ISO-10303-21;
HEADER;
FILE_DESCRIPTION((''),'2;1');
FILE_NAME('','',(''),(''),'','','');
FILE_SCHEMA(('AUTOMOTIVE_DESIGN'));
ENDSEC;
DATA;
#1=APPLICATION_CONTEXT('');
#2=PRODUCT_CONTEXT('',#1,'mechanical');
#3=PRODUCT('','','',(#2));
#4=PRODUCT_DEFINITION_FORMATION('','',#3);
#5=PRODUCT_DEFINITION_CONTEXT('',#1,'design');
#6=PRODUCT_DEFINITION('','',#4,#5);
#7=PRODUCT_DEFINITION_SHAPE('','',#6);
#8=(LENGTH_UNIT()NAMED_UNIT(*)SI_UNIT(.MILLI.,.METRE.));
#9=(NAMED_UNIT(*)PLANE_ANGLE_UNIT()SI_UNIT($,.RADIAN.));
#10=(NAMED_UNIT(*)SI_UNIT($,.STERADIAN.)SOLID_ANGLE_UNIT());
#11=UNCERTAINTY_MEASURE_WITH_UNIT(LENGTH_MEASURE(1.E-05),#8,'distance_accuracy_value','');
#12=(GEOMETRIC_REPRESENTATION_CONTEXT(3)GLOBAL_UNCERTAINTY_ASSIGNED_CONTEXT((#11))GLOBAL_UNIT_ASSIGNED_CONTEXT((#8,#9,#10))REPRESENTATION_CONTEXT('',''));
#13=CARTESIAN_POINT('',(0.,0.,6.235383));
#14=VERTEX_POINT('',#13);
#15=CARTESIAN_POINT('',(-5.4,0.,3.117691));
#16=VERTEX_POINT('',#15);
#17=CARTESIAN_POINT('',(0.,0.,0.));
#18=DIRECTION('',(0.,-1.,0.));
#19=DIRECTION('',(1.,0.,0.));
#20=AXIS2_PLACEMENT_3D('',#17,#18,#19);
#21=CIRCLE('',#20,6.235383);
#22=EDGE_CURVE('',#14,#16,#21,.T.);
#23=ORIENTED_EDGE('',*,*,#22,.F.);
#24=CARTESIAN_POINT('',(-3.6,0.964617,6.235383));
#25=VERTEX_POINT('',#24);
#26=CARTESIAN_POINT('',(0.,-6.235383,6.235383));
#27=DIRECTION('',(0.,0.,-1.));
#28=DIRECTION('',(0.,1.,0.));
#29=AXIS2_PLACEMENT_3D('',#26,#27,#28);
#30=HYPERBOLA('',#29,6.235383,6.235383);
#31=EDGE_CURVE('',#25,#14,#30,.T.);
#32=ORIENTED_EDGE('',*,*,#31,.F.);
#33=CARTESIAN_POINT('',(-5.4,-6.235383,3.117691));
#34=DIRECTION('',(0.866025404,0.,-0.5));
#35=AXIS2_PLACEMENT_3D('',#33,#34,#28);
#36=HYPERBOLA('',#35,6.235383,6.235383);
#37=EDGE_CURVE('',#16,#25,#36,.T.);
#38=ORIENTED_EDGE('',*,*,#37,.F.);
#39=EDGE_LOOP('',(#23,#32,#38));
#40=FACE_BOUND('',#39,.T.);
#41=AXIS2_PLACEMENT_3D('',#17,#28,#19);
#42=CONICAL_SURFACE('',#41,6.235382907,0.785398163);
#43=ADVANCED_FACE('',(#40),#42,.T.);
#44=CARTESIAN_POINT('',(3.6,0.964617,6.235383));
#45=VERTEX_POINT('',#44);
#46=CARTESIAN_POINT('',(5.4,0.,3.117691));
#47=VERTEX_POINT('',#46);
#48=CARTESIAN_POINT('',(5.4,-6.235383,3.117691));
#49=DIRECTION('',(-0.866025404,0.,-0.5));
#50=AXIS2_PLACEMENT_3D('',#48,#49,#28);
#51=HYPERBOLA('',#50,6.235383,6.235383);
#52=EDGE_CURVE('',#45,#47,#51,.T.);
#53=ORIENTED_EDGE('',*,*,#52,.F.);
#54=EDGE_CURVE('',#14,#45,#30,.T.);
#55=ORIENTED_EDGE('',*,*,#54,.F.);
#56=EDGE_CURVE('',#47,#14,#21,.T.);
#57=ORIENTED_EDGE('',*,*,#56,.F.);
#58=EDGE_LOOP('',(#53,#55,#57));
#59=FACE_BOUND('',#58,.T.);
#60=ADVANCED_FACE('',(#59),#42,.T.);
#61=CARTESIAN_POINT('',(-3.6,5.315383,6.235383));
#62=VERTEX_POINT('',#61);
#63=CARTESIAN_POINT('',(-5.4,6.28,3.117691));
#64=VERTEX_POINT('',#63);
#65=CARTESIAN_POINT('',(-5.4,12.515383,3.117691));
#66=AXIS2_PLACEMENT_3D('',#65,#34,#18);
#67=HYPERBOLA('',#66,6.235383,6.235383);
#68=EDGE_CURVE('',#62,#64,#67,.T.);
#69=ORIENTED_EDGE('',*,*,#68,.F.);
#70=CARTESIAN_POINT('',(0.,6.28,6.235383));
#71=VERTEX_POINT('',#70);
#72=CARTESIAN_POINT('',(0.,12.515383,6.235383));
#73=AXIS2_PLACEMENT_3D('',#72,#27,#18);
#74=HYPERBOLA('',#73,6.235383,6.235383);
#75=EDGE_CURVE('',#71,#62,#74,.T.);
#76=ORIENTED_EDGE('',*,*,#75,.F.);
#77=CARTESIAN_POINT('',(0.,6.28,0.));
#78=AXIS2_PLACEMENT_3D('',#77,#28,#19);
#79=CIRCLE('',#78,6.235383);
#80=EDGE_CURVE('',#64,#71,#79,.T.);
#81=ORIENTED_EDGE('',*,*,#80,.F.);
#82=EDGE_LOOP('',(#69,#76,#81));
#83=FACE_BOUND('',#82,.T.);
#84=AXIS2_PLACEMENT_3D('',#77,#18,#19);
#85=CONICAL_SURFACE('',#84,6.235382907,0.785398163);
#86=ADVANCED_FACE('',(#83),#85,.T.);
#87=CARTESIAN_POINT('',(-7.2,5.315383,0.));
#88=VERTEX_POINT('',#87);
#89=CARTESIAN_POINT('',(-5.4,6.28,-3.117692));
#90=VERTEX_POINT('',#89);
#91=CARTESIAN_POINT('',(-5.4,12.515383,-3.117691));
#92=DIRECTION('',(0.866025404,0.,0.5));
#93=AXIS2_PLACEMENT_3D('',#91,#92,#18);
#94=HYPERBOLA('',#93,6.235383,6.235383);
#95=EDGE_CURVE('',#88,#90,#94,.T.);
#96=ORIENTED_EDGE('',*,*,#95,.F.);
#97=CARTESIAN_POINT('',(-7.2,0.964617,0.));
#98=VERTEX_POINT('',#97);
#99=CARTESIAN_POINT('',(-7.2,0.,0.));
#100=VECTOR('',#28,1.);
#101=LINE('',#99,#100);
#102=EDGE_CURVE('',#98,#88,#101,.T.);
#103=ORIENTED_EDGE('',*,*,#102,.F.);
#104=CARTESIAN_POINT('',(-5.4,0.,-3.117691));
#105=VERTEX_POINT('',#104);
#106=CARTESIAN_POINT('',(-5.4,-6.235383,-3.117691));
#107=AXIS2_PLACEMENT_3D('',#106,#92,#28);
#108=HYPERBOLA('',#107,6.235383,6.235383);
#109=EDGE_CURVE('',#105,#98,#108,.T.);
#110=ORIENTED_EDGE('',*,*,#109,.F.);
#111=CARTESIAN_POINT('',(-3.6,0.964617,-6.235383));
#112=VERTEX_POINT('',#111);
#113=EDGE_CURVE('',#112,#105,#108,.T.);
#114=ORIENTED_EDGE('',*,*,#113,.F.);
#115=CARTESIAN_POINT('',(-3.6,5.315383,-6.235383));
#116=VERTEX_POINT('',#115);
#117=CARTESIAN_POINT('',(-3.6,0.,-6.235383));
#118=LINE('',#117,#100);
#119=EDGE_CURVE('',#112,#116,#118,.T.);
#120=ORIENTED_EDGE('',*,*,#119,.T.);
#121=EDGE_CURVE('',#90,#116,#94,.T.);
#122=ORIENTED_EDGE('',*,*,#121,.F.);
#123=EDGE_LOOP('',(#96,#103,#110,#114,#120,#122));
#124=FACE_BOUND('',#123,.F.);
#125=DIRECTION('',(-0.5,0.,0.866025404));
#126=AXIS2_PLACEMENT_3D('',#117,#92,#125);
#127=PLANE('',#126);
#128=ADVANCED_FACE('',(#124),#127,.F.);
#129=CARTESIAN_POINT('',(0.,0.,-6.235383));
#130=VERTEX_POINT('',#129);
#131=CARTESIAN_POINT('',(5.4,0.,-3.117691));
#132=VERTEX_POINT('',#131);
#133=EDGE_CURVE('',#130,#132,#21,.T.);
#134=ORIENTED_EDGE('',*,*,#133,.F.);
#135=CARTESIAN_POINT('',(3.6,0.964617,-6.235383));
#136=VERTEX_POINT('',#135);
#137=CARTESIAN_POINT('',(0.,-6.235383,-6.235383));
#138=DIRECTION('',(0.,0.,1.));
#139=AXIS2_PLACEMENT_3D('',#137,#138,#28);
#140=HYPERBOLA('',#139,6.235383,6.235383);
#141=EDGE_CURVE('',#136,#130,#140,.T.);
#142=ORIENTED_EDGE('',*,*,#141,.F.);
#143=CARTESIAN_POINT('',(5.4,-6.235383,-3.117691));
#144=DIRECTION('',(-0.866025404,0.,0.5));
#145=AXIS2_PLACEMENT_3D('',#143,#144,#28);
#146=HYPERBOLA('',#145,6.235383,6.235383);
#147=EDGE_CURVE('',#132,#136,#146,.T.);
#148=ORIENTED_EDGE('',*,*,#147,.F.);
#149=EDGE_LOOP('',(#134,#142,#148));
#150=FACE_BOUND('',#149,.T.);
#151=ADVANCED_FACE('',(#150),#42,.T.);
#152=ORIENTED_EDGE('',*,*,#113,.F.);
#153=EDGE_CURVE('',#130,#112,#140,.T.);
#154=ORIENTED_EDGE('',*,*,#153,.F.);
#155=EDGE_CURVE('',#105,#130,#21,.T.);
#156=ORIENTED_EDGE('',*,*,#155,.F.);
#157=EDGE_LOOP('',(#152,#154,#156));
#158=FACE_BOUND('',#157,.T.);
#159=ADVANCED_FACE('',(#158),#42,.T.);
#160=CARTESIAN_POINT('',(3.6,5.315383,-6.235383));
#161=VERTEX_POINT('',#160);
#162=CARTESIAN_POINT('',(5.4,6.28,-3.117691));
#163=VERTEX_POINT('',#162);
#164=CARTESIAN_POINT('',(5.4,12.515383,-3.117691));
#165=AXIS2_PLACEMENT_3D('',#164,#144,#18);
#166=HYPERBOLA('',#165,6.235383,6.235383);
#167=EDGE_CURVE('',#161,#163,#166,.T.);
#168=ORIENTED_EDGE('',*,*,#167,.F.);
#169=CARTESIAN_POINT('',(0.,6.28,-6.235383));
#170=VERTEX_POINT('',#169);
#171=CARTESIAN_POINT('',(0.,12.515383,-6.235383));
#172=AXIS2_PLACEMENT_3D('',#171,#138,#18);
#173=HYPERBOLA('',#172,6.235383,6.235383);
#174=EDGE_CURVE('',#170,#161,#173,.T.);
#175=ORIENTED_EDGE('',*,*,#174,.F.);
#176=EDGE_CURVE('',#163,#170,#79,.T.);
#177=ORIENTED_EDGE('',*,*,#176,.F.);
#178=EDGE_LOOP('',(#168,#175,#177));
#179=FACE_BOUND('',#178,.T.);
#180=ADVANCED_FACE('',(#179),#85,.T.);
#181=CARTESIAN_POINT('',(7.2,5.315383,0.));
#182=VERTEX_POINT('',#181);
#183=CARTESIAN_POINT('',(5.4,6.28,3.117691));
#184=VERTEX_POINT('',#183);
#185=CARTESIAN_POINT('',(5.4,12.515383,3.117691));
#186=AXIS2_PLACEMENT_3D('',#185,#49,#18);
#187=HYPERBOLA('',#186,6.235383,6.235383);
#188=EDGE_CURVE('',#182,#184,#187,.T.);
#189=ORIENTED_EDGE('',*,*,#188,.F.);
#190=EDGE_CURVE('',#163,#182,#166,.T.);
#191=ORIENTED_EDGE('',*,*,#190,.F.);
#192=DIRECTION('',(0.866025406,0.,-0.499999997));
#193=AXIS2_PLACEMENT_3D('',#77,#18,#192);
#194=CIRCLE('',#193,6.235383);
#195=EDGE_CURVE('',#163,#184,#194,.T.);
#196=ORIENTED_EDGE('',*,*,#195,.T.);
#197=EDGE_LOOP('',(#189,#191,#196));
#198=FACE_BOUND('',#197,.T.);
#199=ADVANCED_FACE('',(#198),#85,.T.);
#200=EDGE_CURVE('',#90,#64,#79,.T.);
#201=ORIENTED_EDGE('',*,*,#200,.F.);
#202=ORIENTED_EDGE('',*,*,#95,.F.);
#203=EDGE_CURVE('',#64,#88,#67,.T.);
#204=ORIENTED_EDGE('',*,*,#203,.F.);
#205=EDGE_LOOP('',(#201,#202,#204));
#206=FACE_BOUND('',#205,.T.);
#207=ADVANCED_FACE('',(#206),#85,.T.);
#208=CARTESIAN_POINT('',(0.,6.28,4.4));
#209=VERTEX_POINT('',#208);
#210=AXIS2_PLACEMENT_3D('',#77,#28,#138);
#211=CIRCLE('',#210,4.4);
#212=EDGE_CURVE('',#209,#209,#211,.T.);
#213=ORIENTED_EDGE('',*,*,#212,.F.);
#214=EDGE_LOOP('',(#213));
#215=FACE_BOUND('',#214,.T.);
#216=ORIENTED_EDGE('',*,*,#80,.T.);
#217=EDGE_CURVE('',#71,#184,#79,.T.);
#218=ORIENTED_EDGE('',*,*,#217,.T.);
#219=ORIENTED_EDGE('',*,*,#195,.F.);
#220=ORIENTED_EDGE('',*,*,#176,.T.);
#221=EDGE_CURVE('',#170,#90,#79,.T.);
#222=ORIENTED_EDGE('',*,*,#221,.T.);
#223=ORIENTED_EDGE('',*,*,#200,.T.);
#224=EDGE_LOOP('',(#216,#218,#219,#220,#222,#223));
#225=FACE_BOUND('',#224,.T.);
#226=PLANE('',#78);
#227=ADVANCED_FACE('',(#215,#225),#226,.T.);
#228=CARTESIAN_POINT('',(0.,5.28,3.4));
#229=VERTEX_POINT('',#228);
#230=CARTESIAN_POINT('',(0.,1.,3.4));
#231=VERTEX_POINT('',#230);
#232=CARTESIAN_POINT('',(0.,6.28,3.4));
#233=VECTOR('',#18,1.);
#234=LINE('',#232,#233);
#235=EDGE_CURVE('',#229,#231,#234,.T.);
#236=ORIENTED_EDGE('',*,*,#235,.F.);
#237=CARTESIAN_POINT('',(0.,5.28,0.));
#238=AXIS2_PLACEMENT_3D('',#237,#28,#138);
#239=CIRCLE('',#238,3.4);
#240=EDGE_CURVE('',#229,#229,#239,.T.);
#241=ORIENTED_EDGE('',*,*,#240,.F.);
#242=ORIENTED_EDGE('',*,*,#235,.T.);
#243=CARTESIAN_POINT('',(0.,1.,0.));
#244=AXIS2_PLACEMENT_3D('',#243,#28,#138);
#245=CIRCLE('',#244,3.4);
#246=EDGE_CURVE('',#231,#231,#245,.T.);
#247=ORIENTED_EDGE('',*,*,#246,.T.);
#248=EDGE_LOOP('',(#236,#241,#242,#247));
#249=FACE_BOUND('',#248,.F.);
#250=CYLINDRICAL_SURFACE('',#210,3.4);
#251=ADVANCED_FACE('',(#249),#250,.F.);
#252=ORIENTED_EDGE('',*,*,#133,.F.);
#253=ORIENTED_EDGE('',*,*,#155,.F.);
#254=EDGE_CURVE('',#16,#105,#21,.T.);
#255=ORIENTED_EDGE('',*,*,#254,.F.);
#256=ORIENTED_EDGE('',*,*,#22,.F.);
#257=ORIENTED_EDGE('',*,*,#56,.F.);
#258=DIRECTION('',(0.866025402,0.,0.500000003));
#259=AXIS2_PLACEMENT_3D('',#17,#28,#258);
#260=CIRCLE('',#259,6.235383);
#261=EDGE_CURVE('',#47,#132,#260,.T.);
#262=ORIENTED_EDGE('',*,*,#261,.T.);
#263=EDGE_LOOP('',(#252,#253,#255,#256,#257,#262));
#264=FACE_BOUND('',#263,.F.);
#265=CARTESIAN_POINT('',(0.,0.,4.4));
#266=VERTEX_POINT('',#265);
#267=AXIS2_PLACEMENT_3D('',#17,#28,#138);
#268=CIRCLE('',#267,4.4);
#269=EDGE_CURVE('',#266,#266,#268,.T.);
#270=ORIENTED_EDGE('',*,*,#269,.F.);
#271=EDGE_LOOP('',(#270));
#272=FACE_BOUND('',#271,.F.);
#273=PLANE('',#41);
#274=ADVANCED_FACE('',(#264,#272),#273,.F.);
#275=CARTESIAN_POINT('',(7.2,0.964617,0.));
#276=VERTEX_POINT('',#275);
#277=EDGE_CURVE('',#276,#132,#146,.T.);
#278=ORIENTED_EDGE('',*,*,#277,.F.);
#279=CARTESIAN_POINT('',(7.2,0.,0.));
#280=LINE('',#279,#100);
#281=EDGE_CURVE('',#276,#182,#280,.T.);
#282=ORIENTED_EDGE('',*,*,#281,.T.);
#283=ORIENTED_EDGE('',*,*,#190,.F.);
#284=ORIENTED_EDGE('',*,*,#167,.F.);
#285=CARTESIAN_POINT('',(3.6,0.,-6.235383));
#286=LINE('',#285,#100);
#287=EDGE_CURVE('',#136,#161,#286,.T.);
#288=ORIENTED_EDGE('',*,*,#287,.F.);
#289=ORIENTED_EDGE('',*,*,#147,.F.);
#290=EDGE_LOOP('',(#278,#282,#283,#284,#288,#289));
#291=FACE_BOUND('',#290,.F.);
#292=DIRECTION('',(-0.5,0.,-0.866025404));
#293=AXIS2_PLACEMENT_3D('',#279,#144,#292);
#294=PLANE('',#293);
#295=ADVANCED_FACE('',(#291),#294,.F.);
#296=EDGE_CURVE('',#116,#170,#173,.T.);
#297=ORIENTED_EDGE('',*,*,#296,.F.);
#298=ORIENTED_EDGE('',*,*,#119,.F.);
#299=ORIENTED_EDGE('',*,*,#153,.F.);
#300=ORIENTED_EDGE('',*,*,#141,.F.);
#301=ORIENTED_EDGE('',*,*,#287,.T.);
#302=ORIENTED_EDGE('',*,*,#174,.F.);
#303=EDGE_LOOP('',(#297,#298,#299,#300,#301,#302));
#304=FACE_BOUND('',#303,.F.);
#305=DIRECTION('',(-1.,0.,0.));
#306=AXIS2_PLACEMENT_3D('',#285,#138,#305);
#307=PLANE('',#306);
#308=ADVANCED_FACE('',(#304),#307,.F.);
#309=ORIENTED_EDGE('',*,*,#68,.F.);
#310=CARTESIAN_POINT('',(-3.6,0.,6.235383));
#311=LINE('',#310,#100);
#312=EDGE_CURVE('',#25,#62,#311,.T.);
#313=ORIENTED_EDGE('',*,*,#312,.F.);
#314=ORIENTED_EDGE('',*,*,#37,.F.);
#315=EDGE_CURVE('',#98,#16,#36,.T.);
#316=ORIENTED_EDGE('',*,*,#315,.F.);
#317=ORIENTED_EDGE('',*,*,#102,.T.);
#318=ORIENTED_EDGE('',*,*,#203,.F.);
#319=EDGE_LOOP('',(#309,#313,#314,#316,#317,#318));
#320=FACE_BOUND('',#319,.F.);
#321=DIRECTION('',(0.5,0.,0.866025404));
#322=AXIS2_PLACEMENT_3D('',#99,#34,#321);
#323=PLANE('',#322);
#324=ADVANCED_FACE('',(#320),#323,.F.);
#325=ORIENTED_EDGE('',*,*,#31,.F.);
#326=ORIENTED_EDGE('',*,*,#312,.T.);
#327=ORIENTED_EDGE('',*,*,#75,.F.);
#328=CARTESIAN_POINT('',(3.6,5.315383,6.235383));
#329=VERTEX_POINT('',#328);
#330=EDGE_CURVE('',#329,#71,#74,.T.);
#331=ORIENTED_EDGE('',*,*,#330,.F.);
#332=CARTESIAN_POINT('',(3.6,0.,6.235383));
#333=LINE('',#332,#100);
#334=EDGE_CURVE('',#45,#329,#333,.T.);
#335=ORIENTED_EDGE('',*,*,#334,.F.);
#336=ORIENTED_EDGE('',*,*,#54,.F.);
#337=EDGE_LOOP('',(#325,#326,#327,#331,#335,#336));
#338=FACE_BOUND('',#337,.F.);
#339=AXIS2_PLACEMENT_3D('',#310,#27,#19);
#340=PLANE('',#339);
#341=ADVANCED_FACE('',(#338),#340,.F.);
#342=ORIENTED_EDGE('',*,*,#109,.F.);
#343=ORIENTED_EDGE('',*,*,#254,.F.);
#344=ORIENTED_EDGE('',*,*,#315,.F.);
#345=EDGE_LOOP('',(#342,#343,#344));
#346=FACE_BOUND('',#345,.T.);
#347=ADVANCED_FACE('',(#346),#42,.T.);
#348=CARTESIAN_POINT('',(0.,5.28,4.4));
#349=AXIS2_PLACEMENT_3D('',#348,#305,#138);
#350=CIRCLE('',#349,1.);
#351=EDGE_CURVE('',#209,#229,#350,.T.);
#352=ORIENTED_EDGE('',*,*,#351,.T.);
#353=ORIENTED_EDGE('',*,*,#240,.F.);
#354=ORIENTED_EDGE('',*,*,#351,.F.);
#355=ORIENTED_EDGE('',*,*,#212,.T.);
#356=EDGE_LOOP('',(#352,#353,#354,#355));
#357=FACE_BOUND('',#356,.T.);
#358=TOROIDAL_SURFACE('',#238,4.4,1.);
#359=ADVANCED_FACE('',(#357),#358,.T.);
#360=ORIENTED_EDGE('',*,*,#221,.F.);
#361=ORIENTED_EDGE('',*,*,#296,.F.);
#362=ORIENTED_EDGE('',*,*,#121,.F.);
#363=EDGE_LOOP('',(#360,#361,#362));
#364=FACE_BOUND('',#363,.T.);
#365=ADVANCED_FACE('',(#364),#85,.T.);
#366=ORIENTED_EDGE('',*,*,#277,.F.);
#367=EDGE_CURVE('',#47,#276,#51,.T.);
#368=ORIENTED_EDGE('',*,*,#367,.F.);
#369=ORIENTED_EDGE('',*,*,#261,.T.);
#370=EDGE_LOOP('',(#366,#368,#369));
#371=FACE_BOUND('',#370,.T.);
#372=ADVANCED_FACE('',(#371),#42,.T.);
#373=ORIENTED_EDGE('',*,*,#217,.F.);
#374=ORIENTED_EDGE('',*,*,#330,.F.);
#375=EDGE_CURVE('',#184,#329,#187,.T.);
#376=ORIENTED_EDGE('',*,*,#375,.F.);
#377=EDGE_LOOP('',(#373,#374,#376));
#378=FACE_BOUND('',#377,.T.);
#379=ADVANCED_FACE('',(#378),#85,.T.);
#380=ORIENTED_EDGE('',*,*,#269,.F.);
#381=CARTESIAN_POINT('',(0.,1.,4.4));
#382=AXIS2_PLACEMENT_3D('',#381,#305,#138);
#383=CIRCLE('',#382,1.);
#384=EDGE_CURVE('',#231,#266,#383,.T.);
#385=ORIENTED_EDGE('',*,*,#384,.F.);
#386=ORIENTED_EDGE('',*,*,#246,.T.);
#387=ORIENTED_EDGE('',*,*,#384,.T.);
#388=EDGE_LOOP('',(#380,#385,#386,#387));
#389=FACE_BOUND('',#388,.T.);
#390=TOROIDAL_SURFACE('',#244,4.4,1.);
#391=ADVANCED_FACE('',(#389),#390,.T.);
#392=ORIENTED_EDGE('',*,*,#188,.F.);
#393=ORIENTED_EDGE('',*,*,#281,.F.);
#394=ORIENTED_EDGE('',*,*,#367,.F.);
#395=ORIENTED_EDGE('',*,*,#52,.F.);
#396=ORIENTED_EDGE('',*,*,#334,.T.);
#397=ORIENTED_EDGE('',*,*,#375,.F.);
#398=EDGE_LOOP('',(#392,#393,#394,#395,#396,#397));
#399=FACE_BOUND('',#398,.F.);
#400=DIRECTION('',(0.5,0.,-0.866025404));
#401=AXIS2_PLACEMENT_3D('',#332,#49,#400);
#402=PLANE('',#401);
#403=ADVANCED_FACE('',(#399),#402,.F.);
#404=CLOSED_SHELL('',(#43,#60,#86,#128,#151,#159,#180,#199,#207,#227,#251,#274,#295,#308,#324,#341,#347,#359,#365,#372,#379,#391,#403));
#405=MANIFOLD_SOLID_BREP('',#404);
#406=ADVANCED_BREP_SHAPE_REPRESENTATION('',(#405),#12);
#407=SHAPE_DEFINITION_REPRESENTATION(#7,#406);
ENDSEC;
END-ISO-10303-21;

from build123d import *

# Parameters (mm, degrees)
EXTRUDE_1_DEPTH     = 6.28
SKETCH_2_OUTSIDE_W  = 22.412
SKETCH_2_OUTSIDE_H  = 20.482
SKETCH_2_OUTSIDE_R  = 6.235382907
CUT_EXTRUDE_2_DEPTH = 1
CUT_EXTRUDE_2_DRAFT = -45
SKETCH_3_OUTSIDE_W  = 22.412
SKETCH_3_OUTSIDE_H  = 20.482
SKETCH_3_OUTSIDE_R  = 6.235382907
CUT_EXTRUDE_3_DEPTH = 1
CUT_EXTRUDE_3_DRAFT = -45
SKETCH_4_R          = 3.4
CUT_EXTRUDE_4_DEPTH = 7.28
FILLET_1_R          = 1
FILLET_2_R          = 1


with BuildPart() as part:
    # Эскиз1 → Бобышка-Вытянуть1 (new body)
    with BuildSketch(Plane(origin=(0, 0, 0), x_dir=(1, 0, 0), z_dir=(0, 1, 0))):
        Polygon((7.2, 0), (3.6, 6.235382907), (-3.6, 6.235382907), (-7.2, 0), (-3.6, -6.235382907), (3.6, -6.235382907), align=None)
    extrude(amount=EXTRUDE_1_DEPTH)


with BuildPart() as cut_extrude_2_tool:
    # Эскиз2 outside → Вырез-Вытянуть2 (with draft: the straight prism first)
    with BuildSketch(Plane(origin=(0, 6.28, 0), x_dir=(1, 0, 0), z_dir=(0, 1, 0))):
        Rectangle(SKETCH_2_OUTSIDE_W, SKETCH_2_OUTSIDE_H)
        Circle(SKETCH_2_OUTSIDE_R, mode=Mode.SUBTRACT)
    extrude(amount=-CUT_EXTRUDE_2_DEPTH)
    # Вырез-Вытянуть2: the draft: its side faces are tilted about the plane it starts from
    cut_extrude_2_sides = [cut_extrude_2_tool.faces().sort_by_distance(p)[0] for p in [
        (0, 5.78, 10.241),
        (11.206, 5.78, 0),
        (0, 5.78, -10.241),
        (-11.206, 5.78, 0),
        (-6.235382907, 5.78, 0),
    ]]
    draft(cut_extrude_2_sides, Plane(origin=(0, 6.28, 0), x_dir=(1, 0, 0), z_dir=(0, 1, 0)), CUT_EXTRUDE_2_DRAFT)


with BuildPart() as part_1:
    add(part.part)

    # Вырез-Вытянуть2: cut by cut_extrude_2_tool
    add(cut_extrude_2_tool.part, mode=Mode.SUBTRACT)


with BuildPart() as cut_extrude_3_tool:
    # Эскиз3 outside → Вырез-Вытянуть3 (with draft: the straight prism first)
    with BuildSketch(Plane.XZ):
        Rectangle(SKETCH_3_OUTSIDE_W, SKETCH_3_OUTSIDE_H)
        Circle(SKETCH_3_OUTSIDE_R, mode=Mode.SUBTRACT)
    extrude(amount=-CUT_EXTRUDE_3_DEPTH)
    # Вырез-Вытянуть3: the draft: its side faces are tilted about the plane it starts from
    cut_extrude_3_sides = [cut_extrude_3_tool.faces().sort_by_distance(p)[0] for p in [
        (0, 0.5, -10.241),
        (11.206, 0.5, 0),
        (0, 0.5, 10.241),
        (-11.206, 0.5, 0),
        (-6.235382907, 0.5, 0),
    ]]
    draft(cut_extrude_3_sides, Plane.XZ, CUT_EXTRUDE_3_DRAFT)


with BuildPart() as part_2:
    add(part_1.part)

    # Вырез-Вытянуть3: cut by cut_extrude_3_tool
    add(cut_extrude_3_tool.part, mode=Mode.SUBTRACT)

    # Эскиз4 → Вырез-Вытянуть4 (cut, through all)
    with BuildSketch(Plane(origin=(0, 6.28, 0), x_dir=(1, 0, 0), z_dir=(0, 1, 0))):
        with Locations(Location((0, 0, 0), (0, 0, 270))):  # turned: the seam where the file's is
            Circle(SKETCH_4_R)
    extrude(amount=-CUT_EXTRUDE_4_DEPTH, mode=Mode.SUBTRACT)

    # Скругление1
    fillet_1_edges = [part_2.edges().sort_by_distance(p)[0] for p in [
        (0, 6.28, -3.4),
    ]]
    fillet(fillet_1_edges, radius=FILLET_1_R)

    # Скругление2
    fillet_2_edges = [part_2.edges().sort_by_distance(p)[0] for p in [
        (0, 0, -3.4),
    ]]
    fillet(fillet_2_edges, radius=FILLET_2_R)


solid = part_2.part
